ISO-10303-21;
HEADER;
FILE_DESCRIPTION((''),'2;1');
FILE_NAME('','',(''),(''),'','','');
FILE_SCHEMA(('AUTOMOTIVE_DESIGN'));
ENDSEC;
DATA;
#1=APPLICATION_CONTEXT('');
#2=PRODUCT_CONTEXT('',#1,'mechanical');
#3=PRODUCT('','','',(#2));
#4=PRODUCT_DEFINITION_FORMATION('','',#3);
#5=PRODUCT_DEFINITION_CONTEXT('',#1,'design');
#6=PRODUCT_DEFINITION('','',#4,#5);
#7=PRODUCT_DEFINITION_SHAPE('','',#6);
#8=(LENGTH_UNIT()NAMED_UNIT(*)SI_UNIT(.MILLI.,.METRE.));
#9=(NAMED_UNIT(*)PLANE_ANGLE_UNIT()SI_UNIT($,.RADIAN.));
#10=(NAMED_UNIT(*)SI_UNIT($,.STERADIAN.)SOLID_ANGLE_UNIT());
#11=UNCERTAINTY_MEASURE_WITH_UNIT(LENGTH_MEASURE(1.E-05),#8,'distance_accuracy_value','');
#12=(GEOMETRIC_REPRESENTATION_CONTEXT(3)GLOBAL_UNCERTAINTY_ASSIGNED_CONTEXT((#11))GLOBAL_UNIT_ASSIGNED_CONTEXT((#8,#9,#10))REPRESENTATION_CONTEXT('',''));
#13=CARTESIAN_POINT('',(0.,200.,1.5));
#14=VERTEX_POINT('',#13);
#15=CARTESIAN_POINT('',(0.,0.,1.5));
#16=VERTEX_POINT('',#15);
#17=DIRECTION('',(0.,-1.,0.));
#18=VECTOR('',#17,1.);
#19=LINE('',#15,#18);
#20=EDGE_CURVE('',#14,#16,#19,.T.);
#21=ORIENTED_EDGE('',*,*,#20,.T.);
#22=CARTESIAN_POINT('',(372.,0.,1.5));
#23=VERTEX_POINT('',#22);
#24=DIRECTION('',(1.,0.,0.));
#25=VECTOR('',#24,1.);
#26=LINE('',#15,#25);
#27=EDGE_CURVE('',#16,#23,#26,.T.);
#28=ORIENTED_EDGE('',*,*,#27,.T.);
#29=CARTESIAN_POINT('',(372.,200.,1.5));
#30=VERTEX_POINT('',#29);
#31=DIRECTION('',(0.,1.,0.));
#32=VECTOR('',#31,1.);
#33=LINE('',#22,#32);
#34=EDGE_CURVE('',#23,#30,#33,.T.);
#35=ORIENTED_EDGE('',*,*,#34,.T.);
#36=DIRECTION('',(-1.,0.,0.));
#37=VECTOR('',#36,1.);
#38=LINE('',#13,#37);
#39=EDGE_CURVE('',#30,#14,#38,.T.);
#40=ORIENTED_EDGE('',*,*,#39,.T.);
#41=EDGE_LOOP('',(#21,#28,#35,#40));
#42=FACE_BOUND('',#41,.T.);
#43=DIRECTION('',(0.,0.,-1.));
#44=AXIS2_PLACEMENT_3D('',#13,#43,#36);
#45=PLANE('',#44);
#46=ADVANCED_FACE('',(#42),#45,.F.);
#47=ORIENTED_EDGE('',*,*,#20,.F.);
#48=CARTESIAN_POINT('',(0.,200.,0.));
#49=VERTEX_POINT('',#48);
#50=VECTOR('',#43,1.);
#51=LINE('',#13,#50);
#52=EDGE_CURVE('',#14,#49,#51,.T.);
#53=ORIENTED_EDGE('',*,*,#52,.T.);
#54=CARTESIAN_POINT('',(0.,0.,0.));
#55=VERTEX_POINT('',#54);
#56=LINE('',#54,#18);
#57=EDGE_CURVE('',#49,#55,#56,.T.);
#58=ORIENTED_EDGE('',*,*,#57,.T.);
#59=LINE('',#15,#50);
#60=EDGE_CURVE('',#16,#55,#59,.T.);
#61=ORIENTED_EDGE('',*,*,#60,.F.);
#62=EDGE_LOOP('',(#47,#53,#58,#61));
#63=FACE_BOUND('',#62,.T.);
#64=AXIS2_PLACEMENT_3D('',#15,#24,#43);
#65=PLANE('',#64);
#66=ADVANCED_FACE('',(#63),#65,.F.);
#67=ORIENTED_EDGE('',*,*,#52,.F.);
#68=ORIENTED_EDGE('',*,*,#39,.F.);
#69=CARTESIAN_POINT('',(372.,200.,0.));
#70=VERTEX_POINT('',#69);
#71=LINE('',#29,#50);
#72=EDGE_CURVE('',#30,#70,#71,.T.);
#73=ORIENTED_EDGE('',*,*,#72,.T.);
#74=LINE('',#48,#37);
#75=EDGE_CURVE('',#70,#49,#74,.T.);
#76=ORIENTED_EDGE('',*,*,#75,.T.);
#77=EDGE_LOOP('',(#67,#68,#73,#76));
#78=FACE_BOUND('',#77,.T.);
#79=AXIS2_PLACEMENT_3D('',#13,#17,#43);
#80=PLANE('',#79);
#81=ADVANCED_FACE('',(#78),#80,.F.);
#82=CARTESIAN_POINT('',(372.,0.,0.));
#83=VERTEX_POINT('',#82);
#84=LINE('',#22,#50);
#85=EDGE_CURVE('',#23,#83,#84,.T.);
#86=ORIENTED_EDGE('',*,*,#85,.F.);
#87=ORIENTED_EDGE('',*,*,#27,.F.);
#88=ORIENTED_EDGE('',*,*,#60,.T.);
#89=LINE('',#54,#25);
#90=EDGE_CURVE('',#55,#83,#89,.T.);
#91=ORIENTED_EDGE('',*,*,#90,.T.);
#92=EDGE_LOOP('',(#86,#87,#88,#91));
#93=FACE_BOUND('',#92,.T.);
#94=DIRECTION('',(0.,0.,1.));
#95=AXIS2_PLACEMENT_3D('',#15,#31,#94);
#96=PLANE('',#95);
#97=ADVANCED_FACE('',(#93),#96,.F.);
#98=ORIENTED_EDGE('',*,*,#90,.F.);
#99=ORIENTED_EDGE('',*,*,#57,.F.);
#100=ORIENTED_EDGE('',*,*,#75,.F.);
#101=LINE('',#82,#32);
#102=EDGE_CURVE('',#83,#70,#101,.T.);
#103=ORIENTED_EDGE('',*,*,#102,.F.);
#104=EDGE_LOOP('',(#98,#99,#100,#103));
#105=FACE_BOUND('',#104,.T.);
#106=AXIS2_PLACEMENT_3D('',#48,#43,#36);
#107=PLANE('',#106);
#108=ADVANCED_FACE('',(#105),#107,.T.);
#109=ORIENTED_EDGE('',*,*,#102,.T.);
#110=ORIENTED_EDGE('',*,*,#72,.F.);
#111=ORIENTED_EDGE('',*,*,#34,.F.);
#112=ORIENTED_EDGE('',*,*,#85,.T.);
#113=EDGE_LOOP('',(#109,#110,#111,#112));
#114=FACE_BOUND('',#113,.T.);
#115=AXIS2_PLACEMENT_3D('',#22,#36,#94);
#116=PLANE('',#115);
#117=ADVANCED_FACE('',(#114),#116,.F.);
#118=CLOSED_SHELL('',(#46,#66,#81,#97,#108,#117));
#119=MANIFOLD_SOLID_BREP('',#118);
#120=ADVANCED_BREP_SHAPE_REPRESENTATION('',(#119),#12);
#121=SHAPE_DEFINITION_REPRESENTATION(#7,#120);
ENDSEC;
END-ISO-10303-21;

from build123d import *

# Parameters (mm, degrees)
SKETCH1_W      = 372
SKETCH1_H      = 200
EXTRUDE1_DEPTH = 1.5


with BuildPart() as part:
    # Sketch1 → Extrude1 (new body)
    with BuildSketch(Plane.XY):
        with Locations((186, 100)):
            Rectangle(SKETCH1_W, SKETCH1_H)
    extrude(amount=EXTRUDE1_DEPTH)


solid = part.part
